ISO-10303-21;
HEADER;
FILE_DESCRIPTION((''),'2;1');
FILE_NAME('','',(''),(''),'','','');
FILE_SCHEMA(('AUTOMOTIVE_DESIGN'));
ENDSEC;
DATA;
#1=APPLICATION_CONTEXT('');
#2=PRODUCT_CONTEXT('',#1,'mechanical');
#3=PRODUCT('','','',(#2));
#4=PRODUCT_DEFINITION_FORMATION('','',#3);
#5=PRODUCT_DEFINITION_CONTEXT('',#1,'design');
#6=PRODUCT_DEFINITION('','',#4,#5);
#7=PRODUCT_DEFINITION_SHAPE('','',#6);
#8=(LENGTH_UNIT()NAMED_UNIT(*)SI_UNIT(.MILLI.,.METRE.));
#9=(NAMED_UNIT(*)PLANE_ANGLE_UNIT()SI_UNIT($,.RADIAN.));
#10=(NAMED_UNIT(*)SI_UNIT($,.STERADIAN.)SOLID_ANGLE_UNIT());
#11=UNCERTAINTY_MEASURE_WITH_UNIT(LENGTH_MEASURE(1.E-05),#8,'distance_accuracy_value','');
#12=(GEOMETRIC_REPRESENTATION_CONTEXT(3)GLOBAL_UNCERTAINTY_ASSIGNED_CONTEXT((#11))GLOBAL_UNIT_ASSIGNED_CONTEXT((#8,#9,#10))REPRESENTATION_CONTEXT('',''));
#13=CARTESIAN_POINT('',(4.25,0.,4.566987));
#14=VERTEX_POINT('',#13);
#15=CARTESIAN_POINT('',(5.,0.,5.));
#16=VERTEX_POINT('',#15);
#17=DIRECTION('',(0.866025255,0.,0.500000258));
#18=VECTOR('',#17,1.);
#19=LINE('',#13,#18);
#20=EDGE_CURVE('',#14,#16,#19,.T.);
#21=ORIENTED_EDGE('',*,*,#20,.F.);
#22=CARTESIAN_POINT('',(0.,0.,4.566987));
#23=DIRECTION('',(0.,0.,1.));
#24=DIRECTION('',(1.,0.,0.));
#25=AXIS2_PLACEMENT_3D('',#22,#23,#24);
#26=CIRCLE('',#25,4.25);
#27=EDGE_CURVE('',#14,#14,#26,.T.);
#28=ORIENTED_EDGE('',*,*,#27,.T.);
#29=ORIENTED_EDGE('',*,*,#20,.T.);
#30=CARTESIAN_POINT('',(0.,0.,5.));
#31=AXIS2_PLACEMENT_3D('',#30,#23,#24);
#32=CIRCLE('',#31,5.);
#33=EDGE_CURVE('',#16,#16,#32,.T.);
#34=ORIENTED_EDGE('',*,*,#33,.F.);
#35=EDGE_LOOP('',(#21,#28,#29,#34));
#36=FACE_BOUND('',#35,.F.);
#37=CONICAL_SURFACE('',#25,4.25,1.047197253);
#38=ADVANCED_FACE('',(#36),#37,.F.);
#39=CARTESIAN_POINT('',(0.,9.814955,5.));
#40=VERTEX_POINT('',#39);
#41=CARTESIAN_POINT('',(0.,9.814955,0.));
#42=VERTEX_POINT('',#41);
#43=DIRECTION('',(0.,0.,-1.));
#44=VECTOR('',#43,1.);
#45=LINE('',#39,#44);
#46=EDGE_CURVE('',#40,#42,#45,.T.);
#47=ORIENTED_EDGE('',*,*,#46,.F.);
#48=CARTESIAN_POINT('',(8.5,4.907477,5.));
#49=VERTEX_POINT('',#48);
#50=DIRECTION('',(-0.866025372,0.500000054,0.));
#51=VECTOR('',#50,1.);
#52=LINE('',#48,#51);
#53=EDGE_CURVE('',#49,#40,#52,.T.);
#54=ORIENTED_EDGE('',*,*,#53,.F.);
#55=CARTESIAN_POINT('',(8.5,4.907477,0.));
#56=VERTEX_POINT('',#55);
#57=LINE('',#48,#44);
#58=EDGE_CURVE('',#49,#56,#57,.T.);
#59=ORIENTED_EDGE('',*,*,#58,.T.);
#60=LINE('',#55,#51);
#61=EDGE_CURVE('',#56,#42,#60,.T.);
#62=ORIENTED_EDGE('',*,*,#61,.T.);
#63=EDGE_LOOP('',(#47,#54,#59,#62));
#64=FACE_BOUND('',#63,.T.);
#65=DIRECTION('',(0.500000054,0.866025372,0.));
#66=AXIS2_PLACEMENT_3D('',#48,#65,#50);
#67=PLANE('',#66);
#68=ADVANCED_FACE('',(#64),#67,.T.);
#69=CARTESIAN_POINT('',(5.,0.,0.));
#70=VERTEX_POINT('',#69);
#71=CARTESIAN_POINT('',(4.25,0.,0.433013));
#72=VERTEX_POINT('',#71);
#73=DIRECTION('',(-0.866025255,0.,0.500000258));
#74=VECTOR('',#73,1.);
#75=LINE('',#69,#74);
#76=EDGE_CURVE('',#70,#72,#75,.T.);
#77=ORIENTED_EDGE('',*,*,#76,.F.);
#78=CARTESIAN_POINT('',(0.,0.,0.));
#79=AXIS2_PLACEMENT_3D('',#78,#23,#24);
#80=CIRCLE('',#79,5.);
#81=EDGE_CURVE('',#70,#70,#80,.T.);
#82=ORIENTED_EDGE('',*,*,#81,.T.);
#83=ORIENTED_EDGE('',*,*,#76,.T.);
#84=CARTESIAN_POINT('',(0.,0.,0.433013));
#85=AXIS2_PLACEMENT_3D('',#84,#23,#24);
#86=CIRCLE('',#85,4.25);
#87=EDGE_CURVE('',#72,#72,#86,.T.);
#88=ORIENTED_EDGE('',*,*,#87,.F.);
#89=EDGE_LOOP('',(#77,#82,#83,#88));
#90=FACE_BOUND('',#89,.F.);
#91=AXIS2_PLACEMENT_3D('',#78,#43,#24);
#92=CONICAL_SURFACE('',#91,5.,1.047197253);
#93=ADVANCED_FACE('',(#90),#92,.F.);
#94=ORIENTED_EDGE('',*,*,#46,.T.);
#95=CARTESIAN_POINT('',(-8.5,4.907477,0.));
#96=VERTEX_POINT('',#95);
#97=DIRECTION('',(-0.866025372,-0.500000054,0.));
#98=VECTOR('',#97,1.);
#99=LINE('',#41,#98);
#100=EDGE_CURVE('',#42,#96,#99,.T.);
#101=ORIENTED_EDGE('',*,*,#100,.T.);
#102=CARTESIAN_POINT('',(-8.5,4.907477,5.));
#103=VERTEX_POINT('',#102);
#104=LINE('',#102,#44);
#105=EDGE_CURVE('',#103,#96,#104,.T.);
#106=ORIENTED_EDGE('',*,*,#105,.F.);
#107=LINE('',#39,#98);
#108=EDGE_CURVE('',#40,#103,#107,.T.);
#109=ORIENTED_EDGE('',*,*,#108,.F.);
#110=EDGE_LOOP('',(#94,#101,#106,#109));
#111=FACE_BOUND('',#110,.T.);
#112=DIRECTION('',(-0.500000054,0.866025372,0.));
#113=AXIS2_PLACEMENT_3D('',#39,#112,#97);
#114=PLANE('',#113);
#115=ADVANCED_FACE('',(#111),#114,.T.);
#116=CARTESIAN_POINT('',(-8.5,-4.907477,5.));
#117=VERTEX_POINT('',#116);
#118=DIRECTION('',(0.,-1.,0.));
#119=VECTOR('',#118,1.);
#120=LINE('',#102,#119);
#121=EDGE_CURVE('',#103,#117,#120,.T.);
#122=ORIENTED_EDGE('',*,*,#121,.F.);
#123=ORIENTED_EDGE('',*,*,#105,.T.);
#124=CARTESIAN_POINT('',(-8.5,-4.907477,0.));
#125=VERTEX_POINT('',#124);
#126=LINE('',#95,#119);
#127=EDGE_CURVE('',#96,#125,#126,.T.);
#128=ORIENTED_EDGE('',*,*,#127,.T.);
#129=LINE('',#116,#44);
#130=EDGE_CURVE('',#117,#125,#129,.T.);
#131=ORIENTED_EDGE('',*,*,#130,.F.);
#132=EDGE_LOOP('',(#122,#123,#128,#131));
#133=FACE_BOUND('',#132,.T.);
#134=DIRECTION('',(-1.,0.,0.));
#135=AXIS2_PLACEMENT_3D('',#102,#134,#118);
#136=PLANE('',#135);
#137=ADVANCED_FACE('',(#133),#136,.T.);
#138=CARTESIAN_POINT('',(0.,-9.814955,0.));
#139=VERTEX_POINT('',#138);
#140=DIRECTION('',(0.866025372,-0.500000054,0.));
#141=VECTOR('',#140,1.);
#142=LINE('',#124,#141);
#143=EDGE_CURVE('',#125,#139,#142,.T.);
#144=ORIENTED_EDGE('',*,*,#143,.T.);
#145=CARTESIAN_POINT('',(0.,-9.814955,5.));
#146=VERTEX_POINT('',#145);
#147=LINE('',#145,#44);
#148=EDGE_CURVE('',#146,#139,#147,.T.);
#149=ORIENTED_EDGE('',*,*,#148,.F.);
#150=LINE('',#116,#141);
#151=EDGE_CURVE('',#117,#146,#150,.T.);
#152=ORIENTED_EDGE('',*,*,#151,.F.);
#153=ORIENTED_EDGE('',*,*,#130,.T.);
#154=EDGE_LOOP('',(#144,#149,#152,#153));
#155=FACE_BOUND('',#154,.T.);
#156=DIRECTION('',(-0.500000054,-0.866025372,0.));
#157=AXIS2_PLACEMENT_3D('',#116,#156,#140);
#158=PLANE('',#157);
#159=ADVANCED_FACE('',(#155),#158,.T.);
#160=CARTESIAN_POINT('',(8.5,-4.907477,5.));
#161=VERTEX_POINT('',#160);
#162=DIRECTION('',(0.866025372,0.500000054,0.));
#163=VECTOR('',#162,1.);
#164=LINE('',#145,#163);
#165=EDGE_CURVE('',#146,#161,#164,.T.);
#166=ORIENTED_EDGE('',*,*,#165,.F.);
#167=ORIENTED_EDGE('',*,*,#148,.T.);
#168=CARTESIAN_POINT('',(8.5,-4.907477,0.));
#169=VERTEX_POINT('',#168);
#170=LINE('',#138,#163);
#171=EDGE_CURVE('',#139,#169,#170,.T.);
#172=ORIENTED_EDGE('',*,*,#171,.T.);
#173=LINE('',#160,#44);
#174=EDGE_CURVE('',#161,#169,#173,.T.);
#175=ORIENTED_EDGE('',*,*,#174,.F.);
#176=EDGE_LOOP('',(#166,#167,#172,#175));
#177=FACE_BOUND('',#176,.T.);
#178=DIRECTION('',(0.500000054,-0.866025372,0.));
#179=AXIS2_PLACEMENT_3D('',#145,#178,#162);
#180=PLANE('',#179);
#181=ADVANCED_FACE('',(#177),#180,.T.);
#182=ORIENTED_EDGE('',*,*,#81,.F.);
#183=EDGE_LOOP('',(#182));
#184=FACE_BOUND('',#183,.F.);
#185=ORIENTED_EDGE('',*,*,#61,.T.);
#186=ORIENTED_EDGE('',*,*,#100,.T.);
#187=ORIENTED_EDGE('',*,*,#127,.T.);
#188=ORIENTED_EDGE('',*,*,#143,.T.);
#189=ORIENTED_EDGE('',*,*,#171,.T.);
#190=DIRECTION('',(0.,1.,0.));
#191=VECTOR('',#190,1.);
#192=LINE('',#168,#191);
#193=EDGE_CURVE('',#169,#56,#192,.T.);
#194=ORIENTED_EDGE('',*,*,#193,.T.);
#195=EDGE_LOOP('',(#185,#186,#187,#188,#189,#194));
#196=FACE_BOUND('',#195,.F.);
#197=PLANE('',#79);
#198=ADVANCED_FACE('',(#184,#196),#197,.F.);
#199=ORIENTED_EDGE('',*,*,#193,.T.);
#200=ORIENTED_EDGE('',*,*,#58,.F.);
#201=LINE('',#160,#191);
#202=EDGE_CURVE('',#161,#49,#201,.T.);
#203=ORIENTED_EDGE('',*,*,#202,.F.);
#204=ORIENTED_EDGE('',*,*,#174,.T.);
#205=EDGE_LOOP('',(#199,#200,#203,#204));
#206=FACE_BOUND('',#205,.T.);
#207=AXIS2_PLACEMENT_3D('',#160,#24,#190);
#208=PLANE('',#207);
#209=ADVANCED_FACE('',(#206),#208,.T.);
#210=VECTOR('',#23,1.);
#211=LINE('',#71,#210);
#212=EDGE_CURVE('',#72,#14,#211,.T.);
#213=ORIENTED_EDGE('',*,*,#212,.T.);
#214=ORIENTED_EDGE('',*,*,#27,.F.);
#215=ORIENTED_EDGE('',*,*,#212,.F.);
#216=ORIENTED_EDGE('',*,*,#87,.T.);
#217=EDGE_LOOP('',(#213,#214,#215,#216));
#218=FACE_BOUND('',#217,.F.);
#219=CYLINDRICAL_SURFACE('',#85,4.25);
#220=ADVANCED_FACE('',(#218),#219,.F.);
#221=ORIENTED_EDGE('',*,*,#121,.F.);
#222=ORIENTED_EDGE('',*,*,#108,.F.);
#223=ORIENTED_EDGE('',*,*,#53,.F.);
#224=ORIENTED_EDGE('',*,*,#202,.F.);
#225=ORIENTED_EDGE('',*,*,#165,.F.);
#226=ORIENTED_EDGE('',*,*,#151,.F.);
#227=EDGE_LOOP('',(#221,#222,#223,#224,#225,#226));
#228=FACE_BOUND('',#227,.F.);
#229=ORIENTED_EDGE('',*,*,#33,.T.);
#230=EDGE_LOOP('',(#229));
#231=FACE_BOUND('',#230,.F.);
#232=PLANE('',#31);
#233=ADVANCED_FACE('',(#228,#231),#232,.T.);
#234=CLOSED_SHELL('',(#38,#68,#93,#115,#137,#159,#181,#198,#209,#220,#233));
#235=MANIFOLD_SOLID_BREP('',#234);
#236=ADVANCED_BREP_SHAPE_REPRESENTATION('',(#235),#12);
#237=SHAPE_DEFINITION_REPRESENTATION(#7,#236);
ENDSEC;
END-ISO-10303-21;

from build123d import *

# Parameters (mm, degrees)
SKETCH001_R  = 10
POCKET_DEPTH = 5


with BuildPart() as part:
    # Sketch → Revolution (revolve)
    with BuildSketch(Plane.XZ):
        Polygon((5, 0), (4.25, 0.433013), (4.25, 4.566987), (5, 5), (10, 5), (10, 0), align=None)
    revolve(axis=Axis((0, 0, 0), (0, 0, 1)))

    # Sketch001 → Pocket (cut)
    with BuildSketch(Plane(origin=(0, 0, 5), x_dir=(-1, 0, 0), z_dir=(0, 0, 1))):
        Circle(SKETCH001_R)
        Polygon((-8.5, 4.907477), (-8.5, -4.907477), (0, -9.814955), (8.5, -4.907477), (8.5, 4.907477), (0, 9.814955), align=None, mode=Mode.SUBTRACT)
    extrude(amount=-POCKET_DEPTH, mode=Mode.SUBTRACT)


solid = part.part
